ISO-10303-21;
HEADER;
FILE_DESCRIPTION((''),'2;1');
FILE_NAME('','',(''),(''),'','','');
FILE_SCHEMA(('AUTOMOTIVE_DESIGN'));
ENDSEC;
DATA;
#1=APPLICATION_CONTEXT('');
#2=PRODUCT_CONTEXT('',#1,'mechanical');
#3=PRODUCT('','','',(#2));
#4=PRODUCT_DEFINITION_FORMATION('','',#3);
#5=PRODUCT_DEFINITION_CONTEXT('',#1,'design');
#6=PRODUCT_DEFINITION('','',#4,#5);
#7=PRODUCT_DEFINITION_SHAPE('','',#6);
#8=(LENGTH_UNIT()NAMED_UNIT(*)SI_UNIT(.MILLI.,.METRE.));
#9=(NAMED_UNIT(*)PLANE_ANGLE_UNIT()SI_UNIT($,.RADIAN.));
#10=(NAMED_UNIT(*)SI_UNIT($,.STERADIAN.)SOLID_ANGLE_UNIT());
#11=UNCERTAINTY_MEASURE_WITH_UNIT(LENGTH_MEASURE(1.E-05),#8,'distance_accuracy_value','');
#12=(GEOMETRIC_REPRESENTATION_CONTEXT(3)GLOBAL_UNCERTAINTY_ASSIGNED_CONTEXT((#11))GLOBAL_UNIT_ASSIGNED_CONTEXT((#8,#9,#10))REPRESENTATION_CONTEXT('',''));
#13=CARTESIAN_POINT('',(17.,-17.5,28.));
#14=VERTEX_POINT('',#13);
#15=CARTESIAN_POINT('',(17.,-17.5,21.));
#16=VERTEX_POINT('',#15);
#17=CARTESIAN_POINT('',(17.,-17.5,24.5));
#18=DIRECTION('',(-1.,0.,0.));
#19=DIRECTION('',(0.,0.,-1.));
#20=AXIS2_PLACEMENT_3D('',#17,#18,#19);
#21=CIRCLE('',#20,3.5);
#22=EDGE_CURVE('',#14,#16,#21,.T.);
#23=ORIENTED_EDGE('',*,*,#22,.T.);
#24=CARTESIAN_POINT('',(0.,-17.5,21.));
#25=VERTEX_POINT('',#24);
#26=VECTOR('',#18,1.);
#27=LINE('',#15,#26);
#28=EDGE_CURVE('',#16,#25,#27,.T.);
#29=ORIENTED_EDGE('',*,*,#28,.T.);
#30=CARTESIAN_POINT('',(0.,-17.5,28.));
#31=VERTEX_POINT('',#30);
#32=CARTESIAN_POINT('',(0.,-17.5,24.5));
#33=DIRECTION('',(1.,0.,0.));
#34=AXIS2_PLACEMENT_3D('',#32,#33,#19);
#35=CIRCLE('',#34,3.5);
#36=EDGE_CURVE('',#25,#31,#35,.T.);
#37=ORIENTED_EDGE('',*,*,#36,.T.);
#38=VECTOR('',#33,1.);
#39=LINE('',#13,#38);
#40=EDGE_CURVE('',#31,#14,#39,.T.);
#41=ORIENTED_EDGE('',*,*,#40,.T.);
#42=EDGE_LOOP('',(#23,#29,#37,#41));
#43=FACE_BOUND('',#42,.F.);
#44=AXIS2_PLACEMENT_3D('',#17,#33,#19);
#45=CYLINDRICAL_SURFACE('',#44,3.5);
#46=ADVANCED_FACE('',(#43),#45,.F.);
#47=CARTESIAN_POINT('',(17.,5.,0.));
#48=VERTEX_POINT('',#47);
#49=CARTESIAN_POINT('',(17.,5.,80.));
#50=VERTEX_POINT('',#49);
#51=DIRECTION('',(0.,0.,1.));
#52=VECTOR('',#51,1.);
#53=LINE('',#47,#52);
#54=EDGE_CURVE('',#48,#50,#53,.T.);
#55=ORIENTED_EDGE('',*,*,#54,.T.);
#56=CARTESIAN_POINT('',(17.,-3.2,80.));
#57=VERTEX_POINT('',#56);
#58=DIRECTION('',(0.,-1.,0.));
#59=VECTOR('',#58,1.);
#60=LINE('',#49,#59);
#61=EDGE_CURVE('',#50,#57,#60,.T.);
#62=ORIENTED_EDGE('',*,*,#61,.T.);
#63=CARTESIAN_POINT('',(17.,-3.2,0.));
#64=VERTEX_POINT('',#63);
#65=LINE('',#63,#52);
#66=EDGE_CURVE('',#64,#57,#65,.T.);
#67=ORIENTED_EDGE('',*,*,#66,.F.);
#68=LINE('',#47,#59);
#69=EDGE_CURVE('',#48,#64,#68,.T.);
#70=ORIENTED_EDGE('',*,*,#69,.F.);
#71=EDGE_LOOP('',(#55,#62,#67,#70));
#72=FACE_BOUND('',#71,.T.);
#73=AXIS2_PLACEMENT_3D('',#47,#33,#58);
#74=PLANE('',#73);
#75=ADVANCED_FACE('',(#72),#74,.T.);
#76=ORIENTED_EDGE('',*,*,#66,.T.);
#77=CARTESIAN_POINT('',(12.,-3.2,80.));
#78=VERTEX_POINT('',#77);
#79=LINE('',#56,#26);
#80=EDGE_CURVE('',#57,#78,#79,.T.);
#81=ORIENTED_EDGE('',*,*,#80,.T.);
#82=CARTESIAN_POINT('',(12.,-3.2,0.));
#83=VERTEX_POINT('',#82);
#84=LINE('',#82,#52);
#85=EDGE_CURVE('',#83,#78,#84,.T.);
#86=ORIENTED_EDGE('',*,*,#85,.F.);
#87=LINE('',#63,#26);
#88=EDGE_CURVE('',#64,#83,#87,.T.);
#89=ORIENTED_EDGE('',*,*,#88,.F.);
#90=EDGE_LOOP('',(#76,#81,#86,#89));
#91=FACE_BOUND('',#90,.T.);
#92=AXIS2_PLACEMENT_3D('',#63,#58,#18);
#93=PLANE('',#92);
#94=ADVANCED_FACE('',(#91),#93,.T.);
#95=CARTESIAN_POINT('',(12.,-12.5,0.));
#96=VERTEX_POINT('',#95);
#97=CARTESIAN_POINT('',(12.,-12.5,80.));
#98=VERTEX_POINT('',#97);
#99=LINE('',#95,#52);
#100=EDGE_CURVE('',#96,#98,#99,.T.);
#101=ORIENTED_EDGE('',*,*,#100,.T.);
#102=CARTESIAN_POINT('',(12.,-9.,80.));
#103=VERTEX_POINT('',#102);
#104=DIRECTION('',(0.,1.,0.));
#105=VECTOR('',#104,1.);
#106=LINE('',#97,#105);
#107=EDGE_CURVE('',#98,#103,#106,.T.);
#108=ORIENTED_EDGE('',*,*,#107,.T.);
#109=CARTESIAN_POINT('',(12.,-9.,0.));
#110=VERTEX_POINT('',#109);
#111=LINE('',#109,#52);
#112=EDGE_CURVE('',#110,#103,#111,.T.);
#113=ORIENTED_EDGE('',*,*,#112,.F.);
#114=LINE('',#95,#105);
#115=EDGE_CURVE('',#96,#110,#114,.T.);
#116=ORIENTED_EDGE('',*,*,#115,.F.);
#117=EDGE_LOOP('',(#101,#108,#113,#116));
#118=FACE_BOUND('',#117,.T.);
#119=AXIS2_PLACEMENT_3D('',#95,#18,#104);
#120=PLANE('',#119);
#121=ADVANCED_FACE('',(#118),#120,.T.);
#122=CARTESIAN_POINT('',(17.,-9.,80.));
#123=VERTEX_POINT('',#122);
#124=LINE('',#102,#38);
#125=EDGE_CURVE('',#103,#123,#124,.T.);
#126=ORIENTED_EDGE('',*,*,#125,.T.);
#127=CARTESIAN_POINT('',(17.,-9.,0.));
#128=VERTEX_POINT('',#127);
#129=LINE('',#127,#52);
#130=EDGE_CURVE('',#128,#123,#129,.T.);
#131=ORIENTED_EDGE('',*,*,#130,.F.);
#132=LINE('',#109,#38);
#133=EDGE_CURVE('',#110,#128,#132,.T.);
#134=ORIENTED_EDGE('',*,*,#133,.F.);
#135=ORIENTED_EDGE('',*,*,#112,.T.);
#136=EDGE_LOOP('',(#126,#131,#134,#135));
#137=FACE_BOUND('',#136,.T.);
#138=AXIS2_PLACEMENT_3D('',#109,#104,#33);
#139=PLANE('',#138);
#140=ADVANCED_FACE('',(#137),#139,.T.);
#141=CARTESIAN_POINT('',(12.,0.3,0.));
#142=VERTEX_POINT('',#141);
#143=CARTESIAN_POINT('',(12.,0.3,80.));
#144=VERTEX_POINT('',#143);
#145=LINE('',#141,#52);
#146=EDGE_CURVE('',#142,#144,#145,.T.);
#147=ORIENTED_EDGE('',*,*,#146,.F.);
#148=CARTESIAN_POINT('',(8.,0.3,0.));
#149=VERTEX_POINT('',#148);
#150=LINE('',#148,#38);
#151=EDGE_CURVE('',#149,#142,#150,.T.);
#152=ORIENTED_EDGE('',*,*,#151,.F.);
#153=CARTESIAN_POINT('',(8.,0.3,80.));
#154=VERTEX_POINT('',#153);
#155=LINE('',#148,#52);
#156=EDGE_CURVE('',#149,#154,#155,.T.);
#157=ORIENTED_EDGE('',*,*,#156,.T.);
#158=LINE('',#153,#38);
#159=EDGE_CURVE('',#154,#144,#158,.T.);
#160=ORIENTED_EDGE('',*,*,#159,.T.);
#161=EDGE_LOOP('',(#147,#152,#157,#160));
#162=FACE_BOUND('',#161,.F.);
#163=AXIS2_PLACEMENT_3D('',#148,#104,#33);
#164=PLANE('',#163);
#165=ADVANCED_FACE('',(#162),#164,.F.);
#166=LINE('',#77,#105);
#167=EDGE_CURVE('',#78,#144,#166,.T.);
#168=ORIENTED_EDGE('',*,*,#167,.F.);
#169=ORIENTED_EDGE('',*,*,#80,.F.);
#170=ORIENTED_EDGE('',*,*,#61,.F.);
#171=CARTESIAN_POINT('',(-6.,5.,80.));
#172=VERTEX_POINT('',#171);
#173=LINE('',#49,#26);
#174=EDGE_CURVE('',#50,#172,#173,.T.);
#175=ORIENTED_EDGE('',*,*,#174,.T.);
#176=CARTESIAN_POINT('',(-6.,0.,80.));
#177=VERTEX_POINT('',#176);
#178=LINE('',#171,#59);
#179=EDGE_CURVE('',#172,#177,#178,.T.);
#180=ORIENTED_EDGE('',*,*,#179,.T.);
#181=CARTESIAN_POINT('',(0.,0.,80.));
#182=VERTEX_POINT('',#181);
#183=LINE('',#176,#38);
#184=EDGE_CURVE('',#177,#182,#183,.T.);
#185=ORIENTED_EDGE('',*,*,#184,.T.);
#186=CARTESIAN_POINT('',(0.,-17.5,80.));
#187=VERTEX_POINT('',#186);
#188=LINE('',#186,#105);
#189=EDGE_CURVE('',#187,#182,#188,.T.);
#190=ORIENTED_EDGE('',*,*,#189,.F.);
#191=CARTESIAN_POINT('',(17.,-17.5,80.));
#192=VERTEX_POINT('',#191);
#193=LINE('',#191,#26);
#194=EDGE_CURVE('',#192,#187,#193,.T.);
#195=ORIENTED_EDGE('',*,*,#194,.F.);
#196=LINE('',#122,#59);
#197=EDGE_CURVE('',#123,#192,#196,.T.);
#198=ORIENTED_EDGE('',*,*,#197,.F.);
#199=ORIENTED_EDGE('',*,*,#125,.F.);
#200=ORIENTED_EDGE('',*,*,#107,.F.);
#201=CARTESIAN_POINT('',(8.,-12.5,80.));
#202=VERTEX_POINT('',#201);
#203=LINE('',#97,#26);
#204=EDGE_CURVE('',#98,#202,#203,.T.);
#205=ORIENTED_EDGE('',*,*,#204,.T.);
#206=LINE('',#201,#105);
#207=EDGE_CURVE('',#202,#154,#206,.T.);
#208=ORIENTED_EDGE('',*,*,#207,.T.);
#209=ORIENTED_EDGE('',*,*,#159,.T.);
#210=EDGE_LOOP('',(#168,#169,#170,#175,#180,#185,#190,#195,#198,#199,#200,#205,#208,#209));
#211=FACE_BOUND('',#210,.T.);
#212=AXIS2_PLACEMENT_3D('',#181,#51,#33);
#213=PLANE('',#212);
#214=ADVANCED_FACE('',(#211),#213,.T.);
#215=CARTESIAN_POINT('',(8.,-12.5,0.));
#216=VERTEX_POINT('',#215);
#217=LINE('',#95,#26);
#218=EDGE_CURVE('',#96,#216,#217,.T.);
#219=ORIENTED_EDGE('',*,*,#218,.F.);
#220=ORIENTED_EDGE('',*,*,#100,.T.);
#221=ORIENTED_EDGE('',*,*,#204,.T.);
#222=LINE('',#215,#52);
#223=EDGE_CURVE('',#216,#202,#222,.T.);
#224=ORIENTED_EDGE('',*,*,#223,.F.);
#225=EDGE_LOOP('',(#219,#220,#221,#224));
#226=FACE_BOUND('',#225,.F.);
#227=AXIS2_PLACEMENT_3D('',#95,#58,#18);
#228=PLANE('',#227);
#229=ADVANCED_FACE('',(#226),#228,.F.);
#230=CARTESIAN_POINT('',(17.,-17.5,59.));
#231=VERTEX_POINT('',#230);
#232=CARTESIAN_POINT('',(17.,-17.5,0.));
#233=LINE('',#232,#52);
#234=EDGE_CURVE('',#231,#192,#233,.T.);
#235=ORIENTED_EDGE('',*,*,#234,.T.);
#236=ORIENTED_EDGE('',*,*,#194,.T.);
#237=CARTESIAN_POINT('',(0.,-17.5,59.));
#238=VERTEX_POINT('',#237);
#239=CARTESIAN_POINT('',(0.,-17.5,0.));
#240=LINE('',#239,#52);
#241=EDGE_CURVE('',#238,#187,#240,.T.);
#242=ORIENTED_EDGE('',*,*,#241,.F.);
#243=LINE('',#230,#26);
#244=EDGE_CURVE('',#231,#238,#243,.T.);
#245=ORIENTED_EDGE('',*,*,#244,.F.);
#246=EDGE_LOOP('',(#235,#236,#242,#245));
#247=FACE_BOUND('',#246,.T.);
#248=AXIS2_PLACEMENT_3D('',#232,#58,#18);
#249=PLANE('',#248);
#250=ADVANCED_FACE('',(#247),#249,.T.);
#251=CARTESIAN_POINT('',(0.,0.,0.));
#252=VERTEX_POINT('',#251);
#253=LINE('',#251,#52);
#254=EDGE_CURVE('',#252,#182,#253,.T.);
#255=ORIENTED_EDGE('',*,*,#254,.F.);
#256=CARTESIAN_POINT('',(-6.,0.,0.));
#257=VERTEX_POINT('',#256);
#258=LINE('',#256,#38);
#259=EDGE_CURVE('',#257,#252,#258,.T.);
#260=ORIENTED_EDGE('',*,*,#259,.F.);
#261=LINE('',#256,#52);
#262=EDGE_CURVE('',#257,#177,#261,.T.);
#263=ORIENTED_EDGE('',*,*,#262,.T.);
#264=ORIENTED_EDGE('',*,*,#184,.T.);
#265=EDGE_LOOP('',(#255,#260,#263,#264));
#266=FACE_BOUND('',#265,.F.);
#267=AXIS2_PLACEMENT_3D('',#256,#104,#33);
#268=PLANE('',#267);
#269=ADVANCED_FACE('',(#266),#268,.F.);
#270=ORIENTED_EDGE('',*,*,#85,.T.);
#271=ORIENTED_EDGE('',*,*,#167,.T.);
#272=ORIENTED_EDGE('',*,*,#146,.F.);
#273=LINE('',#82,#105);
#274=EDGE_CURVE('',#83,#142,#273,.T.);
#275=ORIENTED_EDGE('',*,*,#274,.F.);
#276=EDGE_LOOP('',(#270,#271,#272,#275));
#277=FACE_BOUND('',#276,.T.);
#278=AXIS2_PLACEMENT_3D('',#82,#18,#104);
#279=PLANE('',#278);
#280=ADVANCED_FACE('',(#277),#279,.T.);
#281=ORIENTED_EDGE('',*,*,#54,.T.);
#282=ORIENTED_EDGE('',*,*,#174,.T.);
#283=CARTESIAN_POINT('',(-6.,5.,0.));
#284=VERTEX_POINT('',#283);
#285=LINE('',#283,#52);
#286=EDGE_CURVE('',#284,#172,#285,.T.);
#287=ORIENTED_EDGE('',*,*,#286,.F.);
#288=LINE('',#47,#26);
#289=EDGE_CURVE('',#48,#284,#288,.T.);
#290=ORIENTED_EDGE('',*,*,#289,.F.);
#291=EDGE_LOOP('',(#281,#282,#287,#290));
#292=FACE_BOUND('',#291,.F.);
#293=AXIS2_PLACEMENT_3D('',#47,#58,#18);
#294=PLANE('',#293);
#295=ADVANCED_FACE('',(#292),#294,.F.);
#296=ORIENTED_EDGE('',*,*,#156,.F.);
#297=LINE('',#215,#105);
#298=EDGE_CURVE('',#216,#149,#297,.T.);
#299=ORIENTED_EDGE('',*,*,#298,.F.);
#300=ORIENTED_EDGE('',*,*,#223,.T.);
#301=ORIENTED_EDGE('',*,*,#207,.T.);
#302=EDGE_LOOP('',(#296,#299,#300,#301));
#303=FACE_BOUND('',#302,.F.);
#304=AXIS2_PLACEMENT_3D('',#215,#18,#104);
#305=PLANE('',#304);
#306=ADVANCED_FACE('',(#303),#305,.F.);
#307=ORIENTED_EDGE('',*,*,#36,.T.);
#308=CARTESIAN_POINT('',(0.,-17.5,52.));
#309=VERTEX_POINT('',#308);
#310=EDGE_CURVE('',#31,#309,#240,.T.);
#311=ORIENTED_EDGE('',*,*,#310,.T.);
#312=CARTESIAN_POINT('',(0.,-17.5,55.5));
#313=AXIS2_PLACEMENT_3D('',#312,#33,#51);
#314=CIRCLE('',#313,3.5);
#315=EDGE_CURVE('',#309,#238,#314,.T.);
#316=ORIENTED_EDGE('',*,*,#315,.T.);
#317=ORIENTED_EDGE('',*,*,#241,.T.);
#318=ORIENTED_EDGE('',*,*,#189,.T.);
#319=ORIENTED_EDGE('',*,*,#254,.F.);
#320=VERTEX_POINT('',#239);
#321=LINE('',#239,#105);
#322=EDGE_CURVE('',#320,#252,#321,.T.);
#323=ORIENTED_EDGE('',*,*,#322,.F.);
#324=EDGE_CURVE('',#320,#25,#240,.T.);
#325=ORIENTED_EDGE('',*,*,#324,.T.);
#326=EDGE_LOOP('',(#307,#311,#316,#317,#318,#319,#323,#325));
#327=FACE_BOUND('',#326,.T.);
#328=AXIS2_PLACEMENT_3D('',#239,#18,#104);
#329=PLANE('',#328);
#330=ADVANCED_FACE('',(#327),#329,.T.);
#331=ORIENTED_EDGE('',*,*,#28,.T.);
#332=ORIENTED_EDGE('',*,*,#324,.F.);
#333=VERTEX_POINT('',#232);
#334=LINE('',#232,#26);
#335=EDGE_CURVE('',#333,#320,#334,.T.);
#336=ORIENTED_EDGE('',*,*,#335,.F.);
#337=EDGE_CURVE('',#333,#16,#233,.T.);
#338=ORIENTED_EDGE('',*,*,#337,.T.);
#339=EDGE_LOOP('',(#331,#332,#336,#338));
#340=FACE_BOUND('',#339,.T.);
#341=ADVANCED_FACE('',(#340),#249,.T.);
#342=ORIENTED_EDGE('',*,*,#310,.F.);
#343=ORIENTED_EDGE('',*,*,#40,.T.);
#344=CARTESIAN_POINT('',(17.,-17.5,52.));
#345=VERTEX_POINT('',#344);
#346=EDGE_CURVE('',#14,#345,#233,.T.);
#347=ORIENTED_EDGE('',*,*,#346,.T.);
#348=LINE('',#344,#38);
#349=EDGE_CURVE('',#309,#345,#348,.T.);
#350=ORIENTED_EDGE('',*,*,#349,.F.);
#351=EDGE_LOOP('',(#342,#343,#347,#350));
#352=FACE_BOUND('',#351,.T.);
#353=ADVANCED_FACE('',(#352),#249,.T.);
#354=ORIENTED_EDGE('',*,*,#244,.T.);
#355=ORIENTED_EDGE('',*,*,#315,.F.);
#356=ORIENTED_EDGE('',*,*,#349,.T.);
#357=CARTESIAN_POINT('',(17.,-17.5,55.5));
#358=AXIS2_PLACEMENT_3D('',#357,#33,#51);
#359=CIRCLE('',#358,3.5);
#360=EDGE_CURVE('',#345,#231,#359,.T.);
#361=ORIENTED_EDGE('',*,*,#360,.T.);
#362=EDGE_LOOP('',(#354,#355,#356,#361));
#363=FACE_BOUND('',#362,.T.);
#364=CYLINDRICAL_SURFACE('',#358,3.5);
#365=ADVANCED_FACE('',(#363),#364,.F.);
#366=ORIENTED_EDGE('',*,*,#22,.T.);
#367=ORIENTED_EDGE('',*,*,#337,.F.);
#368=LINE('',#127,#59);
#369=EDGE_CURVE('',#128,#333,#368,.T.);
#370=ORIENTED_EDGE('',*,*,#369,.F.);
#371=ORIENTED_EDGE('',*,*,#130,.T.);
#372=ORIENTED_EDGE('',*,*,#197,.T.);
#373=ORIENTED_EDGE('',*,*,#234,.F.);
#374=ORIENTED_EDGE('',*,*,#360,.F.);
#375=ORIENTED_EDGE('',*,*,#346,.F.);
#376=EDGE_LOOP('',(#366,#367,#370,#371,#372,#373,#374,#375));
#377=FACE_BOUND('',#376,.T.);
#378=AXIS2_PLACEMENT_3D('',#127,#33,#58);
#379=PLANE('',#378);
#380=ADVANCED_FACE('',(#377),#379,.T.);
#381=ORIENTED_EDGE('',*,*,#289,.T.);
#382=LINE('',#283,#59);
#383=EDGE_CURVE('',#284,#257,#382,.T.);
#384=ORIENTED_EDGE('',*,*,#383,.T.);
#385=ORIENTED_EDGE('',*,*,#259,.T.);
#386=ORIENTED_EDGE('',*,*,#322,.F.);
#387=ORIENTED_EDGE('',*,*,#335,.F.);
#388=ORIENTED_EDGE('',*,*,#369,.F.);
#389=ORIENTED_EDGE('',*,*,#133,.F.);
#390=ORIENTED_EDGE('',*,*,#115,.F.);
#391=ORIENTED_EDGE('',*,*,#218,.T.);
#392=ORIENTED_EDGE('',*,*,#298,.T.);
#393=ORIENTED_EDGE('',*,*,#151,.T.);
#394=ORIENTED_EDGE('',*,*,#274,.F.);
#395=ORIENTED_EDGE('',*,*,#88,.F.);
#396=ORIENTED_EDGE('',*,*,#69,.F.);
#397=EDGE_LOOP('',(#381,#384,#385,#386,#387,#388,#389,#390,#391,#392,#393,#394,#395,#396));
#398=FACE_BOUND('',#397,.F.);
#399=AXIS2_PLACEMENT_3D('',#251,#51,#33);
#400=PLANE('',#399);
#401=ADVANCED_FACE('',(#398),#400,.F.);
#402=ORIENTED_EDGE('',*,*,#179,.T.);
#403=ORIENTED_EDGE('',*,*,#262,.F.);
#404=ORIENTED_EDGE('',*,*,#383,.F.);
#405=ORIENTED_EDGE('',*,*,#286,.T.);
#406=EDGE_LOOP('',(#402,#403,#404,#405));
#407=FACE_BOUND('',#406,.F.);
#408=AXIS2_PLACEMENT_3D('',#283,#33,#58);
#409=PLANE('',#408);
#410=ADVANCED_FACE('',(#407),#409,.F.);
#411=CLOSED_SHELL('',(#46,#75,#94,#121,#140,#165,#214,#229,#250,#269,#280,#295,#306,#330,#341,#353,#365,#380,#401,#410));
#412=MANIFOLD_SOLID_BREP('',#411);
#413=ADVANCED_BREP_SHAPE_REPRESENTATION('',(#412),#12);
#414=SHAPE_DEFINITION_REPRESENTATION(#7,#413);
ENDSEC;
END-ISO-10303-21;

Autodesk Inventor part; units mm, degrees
ref_plane "YZ Plane" through (0, 0, 0) normal (1, 0, 0) x (0, 1, 0)
ref_plane "XZ Plane" through (0, 0, 0) normal (0, 1, 0) x (-1, 0, 0)
sketch "Sketch1" plane through (0, 0, 0) normal (0, 0, 1) x (1, 0, 0)
  line L0 (17, 5) -> (17, -3.2)
  line L1 (17, -3.2) -> (12, -3.2)
  line L2 (12, -12.5) -> (12, -9)
  line L3 (12, -9) -> (17, -9)
  line L4 (17, -9) -> (17, -17.5)
  line L5 (17, -17.5) -> (0, -17.5)
  line L6 (0, -17.5) -> (0, 0)
  line L7 (17, 5) -> (-6, 5)
  line L8 (-6, 5) -> (-6, 0)
  line L9 (-6, 0) -> (0, 0)
  line L10 (12, -3.2) -> (12, 0.3)
  line L11 (12, -12.5) -> (8, -12.5)
  line L12 (8, -12.5) -> (8, 0.3)
  line L13 (8, 0.3) -> (12, 0.3)
  dimension "d0" = 6
  dimension "d1" = 5
  dimension "d4" = 4
  dimension "d8" = 5
  dimension "d10" = 5.8
  dimension "d12" = 3.5
  dimension "d13" = 3.5
  dimension "d17" = 0.3
  dimension "d18" = 17
  dimension "d19" = 8
  dimension "d20" = 0
extrude "Extrusion1" add sketch "Sketch1" along normal blind 80
sketch "Sketch2" plane through (17, -17.5, 0) normal (1, 0, 0) x (0, 0, -1)
  line L0 (0, 0) -> (-80, 0) projected
  circle A0 centre (-24.5, 0) radius 3.5
  line L1 (0, 0) -> (0, 8.5) projected
  line L2 (0, 8.5) -> (-80, 8.5) projected
  line L3 (-80, 0) -> (-80, 8.5) projected
  line L4 (0, 0) -> (-80, 0) projected
  point P0 (0, 17.5)
  dimension "d22" = 7
  dimension "d24" = 24.5
extrude "Extrusion2" cut sketch "Sketch2" against normal blind 20 contours A0 L0 | L0 A0
ref_plane "Work Plane1" through (0, 0, 40) normal (0, 0, 1) x (1, 0, 0)
mirror "Mirror1" about plane through (0, 0, 40) normal (0, 0, 1) of "Extrusion2"
equation "\"d13\" = d12"
equation "\"d22\" = d21"
equation "\"d21\" = 7"
properties part number "Riel acople de motor"
